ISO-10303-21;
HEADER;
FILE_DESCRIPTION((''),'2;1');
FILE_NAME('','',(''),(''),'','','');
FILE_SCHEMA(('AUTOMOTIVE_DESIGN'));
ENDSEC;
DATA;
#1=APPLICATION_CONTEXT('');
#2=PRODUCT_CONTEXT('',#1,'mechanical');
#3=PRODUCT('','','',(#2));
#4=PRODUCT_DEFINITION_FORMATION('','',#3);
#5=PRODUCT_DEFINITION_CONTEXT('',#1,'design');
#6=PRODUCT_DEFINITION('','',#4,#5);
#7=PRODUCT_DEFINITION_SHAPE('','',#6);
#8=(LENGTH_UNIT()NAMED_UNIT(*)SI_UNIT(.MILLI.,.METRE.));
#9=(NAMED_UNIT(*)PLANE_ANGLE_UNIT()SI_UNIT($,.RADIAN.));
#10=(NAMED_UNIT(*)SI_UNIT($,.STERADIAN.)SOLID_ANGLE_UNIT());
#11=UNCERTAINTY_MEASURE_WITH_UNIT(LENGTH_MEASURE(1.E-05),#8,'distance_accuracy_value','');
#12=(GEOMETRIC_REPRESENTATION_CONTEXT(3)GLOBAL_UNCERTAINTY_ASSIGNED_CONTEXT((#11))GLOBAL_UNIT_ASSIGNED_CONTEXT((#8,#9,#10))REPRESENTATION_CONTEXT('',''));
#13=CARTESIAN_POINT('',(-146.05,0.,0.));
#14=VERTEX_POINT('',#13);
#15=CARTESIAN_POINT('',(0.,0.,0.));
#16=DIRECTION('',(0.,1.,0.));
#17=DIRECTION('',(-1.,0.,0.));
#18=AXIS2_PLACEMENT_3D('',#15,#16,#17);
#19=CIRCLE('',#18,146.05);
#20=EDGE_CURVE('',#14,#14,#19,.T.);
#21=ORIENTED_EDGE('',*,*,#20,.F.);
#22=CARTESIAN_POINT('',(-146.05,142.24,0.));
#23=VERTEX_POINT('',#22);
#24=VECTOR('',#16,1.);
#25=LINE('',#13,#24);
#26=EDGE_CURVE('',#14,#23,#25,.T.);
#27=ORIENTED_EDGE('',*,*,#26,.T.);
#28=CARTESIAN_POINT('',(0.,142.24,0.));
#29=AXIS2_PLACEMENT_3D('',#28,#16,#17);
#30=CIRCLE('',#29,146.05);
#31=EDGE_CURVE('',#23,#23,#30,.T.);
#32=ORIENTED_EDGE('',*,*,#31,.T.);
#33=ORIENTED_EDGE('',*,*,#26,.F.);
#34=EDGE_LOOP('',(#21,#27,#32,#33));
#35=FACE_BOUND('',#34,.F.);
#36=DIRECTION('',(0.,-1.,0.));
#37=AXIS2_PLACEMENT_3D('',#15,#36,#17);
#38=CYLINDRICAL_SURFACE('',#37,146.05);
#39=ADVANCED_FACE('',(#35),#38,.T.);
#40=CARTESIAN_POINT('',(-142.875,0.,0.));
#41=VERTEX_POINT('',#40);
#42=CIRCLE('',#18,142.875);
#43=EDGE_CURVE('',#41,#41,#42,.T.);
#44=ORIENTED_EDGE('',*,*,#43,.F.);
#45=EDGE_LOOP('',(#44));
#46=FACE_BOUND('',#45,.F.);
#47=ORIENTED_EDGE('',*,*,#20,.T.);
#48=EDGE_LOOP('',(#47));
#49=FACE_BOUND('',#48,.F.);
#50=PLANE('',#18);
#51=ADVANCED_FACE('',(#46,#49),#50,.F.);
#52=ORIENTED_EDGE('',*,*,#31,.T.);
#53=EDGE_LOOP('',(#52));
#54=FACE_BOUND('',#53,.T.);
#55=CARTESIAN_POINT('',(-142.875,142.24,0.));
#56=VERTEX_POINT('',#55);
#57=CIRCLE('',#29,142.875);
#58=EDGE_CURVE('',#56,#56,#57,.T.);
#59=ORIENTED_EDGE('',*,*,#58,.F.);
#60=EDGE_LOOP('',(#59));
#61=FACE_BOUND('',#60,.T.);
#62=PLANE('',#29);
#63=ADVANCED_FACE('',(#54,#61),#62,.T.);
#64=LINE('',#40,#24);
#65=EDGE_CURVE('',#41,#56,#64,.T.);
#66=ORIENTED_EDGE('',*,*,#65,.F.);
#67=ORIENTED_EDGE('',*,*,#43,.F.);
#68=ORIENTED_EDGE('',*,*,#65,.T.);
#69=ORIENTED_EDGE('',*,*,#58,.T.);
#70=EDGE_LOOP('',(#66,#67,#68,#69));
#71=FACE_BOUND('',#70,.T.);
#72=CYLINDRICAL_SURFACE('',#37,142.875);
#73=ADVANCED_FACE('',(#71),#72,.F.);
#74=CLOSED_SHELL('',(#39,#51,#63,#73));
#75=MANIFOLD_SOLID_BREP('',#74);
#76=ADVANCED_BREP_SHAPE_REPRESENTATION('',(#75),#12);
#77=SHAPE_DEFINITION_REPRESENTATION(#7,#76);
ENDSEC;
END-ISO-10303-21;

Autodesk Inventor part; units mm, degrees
ref_plane "YZ Plane" through (0, 0, 0) normal (1, 0, 0) x (0, 1, 0)
ref_plane "XZ Plane" through (0, 0, 0) normal (0, 1, 0) x (-1, 0, 0)
ref_plane "XY Plane" through (0, 0, 0) normal (0, 0, 1) x (1, 0, 0)
sketch "Sketch1" plane through (0, 0, 0) normal (0, 1, 0) x (-1, 0, 0)
  circle A0 centre (0, 0) radius 142.875
  circle A1 centre (0, 0) radius 146.05
  dimension "interiorrDiameter" = 285.75
  dimension "d1" = 292.1
extrude "Extrusion1" add sketch "Sketch1" along normal blind 142.24
properties part number "FrisbeeHopper" material "PC/ABS Plastic"
